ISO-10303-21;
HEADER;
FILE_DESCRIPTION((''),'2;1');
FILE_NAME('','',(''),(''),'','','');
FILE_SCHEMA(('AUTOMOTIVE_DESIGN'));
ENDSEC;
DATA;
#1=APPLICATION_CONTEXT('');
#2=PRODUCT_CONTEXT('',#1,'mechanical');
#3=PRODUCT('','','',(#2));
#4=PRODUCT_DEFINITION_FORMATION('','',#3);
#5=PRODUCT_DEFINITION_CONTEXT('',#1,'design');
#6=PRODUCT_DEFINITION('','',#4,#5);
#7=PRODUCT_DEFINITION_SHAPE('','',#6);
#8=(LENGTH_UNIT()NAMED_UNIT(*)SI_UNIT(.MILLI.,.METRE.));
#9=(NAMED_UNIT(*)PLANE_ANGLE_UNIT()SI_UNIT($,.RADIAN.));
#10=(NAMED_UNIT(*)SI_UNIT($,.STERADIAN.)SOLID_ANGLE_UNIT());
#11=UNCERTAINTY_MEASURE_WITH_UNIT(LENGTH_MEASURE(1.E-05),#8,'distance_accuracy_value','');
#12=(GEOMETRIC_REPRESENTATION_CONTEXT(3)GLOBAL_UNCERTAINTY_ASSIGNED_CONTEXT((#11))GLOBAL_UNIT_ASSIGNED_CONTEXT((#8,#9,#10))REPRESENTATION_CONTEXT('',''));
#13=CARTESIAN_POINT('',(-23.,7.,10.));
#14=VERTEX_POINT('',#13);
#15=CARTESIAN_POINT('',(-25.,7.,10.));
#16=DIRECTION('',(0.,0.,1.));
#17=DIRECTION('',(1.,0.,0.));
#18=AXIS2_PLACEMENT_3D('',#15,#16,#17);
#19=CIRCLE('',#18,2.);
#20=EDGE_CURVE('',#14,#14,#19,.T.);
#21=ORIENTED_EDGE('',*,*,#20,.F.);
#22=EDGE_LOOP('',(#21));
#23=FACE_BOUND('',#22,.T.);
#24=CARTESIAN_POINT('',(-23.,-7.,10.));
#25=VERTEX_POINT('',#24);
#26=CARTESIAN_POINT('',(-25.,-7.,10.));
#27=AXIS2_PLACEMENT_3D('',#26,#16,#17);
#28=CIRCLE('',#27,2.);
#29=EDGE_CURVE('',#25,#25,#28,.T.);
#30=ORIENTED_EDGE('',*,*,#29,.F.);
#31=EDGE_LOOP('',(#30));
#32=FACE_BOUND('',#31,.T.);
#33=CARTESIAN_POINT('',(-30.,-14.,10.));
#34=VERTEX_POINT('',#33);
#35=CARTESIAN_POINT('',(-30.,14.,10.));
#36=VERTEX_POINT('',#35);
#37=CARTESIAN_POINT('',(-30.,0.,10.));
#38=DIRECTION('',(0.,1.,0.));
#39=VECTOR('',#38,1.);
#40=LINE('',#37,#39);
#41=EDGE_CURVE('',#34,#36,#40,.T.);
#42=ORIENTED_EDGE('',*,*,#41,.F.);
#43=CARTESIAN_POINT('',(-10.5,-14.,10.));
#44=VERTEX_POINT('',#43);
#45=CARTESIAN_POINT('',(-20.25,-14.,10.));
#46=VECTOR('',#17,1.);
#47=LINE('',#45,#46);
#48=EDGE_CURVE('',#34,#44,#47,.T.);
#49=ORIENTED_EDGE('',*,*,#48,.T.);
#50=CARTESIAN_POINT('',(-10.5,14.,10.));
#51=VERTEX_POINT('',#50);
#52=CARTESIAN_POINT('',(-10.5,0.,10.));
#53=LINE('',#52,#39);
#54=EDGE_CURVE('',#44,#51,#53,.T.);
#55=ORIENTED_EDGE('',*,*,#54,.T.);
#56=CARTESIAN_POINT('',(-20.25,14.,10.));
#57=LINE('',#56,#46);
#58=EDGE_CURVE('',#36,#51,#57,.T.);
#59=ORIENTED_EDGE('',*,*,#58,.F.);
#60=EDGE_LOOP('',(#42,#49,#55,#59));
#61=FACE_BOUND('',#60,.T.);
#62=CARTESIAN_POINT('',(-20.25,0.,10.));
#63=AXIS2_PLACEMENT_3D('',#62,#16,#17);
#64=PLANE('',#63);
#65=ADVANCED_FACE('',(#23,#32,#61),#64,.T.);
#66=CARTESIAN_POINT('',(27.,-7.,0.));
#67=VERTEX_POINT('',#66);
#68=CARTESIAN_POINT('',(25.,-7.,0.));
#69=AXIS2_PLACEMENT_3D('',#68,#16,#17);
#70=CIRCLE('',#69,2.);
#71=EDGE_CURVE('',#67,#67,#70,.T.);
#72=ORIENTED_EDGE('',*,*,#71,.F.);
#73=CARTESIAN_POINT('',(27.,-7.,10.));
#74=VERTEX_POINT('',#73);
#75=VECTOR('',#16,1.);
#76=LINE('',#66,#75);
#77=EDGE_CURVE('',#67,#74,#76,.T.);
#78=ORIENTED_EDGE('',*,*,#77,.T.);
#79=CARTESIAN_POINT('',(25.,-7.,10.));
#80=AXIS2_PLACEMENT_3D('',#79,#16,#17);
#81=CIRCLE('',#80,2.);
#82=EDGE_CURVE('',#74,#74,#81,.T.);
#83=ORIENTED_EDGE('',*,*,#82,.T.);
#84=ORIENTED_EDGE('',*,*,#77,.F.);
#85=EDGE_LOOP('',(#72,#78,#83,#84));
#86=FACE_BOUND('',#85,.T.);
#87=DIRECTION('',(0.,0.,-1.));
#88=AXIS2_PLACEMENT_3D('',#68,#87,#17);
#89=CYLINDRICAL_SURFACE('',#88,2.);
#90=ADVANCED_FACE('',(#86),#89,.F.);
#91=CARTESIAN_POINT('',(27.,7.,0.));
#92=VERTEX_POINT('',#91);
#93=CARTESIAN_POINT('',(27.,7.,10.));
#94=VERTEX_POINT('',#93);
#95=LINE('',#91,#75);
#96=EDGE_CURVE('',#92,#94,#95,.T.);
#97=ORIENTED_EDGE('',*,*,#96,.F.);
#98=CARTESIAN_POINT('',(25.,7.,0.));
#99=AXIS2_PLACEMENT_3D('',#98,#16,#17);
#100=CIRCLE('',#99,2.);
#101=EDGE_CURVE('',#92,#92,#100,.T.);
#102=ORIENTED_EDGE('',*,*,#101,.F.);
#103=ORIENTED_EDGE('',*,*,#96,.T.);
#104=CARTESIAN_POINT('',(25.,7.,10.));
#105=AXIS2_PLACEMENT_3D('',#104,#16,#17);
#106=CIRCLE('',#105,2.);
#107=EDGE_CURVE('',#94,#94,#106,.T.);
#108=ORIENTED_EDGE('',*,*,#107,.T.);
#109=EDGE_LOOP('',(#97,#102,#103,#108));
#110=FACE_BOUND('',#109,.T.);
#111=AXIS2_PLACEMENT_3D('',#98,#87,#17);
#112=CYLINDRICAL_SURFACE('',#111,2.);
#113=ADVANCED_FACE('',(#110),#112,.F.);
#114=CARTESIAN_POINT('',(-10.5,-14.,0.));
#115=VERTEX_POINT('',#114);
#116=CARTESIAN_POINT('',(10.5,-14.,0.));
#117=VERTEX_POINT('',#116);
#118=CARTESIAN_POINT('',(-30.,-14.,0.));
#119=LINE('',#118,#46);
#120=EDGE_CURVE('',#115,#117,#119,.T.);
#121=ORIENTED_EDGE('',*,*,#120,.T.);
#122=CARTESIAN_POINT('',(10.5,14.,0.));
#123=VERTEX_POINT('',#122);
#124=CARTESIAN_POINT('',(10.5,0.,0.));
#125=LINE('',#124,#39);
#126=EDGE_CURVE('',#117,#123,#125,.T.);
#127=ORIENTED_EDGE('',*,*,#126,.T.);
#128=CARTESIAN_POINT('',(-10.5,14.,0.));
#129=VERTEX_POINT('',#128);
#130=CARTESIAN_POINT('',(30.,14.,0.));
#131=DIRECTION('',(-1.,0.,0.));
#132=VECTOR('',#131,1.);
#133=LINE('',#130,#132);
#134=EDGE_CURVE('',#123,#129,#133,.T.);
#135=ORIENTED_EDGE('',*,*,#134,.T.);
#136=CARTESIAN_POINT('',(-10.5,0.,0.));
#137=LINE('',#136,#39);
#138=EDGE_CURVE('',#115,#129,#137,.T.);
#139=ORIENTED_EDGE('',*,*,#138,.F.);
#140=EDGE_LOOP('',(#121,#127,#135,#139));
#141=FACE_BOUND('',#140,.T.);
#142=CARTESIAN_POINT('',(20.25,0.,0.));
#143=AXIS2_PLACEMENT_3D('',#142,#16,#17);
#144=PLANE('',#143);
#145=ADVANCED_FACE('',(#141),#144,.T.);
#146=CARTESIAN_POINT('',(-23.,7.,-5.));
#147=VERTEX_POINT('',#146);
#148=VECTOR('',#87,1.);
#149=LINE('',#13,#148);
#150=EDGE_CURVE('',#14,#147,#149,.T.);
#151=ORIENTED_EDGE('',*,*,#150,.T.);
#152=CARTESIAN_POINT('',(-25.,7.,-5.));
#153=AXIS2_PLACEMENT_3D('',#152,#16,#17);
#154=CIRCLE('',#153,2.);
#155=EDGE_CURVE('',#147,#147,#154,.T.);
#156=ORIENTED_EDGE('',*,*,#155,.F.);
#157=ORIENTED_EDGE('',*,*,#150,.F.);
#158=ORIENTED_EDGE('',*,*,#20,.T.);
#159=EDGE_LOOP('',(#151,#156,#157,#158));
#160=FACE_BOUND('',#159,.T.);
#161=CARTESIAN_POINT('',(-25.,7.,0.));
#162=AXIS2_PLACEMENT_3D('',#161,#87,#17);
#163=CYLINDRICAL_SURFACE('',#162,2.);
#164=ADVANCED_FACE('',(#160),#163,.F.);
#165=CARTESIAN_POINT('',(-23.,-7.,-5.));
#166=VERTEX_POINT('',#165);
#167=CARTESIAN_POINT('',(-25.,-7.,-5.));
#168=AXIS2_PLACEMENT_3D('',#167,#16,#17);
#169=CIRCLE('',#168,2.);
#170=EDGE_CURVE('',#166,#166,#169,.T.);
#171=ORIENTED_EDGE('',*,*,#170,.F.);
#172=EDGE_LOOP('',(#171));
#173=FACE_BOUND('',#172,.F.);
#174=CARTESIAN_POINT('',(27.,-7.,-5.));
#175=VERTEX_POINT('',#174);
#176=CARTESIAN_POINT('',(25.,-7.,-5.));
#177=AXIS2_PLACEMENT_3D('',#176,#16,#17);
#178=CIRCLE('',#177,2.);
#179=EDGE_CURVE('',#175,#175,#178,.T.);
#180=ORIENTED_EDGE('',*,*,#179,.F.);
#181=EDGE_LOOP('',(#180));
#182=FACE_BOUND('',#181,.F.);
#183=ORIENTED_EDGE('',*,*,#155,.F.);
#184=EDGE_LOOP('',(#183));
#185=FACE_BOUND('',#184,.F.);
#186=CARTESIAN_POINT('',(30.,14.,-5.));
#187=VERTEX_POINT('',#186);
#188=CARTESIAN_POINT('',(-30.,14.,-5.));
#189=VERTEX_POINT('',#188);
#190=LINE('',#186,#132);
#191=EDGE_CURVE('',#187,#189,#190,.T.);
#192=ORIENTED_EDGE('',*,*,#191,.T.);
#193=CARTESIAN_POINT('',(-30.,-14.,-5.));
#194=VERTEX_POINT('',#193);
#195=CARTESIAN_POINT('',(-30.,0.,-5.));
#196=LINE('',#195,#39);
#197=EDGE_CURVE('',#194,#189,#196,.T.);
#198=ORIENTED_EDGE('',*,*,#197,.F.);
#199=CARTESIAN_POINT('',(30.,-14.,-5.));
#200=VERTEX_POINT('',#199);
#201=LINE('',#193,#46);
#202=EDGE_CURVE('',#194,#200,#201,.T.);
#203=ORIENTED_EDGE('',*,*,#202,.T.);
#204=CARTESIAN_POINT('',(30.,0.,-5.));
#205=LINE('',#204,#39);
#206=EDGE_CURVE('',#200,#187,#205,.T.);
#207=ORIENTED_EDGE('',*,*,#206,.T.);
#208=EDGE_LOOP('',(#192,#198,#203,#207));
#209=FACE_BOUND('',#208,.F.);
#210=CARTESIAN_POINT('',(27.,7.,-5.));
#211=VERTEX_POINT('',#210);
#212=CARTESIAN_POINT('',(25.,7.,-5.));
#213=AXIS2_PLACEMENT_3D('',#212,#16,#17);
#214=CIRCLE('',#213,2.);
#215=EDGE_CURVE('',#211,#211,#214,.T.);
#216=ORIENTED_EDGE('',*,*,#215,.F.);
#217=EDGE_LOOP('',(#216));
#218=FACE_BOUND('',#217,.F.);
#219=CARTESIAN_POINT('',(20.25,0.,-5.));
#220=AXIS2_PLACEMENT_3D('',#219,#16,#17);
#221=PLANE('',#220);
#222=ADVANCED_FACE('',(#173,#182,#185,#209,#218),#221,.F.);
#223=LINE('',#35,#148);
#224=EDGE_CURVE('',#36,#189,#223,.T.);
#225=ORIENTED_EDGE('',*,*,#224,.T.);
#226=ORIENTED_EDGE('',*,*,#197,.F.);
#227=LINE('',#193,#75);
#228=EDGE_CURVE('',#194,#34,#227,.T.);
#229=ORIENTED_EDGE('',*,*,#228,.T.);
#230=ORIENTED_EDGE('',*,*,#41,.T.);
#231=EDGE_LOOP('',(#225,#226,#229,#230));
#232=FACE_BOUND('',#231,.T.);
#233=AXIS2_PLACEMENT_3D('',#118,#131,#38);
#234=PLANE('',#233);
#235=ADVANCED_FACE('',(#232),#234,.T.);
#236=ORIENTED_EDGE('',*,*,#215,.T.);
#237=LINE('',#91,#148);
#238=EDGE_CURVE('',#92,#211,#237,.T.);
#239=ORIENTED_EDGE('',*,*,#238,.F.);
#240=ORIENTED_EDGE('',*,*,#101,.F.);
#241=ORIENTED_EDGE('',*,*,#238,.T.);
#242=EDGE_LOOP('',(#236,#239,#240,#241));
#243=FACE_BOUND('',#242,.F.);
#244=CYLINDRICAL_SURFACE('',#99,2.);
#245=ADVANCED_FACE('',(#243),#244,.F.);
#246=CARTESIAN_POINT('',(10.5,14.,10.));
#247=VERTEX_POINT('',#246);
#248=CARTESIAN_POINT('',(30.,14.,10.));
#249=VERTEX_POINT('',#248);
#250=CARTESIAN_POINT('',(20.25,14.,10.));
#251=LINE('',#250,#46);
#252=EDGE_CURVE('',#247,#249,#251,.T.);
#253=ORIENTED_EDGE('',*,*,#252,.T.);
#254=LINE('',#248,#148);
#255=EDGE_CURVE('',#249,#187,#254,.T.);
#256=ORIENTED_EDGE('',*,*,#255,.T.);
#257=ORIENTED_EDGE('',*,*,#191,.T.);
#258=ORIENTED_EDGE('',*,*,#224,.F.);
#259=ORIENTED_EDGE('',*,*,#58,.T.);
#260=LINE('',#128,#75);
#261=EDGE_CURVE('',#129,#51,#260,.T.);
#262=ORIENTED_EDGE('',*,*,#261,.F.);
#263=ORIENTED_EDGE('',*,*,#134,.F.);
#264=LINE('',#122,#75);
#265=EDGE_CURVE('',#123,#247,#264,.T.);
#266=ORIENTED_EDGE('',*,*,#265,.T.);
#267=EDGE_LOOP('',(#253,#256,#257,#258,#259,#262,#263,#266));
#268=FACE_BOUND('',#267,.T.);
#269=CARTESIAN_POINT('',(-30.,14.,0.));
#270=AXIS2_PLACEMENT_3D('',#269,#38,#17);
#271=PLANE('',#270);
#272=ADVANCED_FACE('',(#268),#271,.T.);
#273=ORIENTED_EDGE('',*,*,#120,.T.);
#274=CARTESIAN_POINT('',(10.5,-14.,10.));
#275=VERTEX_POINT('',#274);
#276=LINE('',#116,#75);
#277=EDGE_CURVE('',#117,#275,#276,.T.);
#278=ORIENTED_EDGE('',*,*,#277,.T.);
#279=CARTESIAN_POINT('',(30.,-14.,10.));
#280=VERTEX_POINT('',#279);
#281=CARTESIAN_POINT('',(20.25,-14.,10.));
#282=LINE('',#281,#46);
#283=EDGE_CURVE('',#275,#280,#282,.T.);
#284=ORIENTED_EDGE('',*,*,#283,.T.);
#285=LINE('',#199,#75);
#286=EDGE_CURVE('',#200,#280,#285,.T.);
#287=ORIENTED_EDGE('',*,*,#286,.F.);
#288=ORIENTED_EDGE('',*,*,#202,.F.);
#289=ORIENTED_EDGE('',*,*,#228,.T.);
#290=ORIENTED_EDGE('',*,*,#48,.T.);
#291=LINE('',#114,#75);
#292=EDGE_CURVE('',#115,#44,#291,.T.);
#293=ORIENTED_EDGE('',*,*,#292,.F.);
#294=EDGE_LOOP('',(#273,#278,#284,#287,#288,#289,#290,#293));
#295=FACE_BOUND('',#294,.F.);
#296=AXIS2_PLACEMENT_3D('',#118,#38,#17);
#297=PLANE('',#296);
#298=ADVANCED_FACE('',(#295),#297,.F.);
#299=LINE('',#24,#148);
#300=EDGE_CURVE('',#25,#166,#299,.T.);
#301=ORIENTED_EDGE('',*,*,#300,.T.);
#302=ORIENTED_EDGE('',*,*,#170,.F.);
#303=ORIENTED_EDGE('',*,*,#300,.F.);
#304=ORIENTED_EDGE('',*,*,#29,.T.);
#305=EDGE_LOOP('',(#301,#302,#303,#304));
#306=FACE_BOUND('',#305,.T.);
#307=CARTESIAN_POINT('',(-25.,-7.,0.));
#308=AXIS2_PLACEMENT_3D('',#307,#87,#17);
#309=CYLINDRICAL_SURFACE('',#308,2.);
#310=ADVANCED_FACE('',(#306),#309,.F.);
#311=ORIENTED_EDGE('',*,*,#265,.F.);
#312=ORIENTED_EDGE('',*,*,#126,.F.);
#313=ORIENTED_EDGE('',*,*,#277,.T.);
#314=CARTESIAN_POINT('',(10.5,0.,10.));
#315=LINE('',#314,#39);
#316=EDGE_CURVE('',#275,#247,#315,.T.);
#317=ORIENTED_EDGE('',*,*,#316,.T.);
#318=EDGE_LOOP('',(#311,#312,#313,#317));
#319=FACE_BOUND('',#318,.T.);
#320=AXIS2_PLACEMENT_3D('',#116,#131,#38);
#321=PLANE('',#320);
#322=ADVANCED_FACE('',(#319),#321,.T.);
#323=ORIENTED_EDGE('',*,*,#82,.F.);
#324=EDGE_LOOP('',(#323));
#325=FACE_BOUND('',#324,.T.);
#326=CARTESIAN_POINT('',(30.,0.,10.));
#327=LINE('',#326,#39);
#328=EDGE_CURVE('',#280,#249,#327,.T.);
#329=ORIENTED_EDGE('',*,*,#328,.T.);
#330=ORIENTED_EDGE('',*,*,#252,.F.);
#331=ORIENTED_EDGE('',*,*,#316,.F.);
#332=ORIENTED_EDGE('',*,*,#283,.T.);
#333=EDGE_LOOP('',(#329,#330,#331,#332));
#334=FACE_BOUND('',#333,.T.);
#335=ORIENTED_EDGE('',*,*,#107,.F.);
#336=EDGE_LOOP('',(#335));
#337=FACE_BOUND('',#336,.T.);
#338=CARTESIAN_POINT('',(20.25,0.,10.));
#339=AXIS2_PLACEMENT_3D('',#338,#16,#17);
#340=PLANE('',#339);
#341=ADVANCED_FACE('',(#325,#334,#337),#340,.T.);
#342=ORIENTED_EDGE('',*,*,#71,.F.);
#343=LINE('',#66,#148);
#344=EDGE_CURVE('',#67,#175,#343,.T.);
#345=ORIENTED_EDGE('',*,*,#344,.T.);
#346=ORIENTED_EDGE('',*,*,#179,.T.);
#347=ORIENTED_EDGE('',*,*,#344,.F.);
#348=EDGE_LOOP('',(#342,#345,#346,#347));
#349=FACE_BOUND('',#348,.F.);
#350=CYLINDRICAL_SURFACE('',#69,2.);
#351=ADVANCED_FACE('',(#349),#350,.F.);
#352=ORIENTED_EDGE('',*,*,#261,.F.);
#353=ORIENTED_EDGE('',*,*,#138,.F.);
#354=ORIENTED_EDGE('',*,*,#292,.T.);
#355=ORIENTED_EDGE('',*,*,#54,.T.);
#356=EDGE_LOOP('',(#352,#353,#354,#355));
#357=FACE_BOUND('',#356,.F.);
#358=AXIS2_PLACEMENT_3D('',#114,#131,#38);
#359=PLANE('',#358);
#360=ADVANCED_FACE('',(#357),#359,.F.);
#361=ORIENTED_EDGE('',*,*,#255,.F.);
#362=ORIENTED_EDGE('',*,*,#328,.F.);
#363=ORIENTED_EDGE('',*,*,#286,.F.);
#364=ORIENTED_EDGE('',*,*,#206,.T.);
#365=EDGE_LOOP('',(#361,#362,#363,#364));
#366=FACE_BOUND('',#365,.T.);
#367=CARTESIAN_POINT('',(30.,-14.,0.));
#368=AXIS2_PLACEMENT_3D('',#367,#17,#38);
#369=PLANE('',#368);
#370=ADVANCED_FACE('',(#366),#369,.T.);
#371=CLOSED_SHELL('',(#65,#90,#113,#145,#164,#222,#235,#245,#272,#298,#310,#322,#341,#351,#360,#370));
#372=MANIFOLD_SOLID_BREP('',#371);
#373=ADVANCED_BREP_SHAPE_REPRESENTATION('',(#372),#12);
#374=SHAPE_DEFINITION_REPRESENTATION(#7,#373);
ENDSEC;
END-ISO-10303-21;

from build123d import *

# Parameters (mm, degrees)
F0_W     = 19.5
F0_H     = 28
F0_R     = 2
F0_W_2   = 21
F1_DEPTH = 5
F2_DEPTH = 10


with BuildPart() as f1:
    # F0 (on Top) → F1 (new body)
    with BuildSketch(Plane.XY):
        with Locations((20.25, 0)):
            Rectangle(F0_W, F0_H)
        with Locations((25, -7)):
            Circle(F0_R, mode=Mode.SUBTRACT)
        with Locations((25, 7)):
            Circle(F0_R, mode=Mode.SUBTRACT)
        Rectangle(F0_W_2, F0_H)
        with Locations((-20.25, 0)):
            Rectangle(F0_W, F0_H)
        with Locations((-25, -7)):
            Circle(F0_R, mode=Mode.SUBTRACT)
        with Locations((-25, 7)):
            Circle(F0_R, mode=Mode.SUBTRACT)
    extrude(amount=-F1_DEPTH)

    # F0 (on Top) → F2 (join)
    with BuildSketch(Plane.XY):
        with Locations((-20.25, 0)):
            Rectangle(F0_W, F0_H)
        with Locations((-25, -7)):
            Circle(F0_R, mode=Mode.SUBTRACT)
        with Locations((-25, 7)):
            Circle(F0_R, mode=Mode.SUBTRACT)
        with Locations((20.25, 0)):
            Rectangle(F0_W, F0_H)
        with Locations((25, -7)):
            Circle(F0_R, mode=Mode.SUBTRACT)
        with Locations((25, 7)):
            Circle(F0_R, mode=Mode.SUBTRACT)
    extrude(amount=F2_DEPTH)


solid = f1.part
